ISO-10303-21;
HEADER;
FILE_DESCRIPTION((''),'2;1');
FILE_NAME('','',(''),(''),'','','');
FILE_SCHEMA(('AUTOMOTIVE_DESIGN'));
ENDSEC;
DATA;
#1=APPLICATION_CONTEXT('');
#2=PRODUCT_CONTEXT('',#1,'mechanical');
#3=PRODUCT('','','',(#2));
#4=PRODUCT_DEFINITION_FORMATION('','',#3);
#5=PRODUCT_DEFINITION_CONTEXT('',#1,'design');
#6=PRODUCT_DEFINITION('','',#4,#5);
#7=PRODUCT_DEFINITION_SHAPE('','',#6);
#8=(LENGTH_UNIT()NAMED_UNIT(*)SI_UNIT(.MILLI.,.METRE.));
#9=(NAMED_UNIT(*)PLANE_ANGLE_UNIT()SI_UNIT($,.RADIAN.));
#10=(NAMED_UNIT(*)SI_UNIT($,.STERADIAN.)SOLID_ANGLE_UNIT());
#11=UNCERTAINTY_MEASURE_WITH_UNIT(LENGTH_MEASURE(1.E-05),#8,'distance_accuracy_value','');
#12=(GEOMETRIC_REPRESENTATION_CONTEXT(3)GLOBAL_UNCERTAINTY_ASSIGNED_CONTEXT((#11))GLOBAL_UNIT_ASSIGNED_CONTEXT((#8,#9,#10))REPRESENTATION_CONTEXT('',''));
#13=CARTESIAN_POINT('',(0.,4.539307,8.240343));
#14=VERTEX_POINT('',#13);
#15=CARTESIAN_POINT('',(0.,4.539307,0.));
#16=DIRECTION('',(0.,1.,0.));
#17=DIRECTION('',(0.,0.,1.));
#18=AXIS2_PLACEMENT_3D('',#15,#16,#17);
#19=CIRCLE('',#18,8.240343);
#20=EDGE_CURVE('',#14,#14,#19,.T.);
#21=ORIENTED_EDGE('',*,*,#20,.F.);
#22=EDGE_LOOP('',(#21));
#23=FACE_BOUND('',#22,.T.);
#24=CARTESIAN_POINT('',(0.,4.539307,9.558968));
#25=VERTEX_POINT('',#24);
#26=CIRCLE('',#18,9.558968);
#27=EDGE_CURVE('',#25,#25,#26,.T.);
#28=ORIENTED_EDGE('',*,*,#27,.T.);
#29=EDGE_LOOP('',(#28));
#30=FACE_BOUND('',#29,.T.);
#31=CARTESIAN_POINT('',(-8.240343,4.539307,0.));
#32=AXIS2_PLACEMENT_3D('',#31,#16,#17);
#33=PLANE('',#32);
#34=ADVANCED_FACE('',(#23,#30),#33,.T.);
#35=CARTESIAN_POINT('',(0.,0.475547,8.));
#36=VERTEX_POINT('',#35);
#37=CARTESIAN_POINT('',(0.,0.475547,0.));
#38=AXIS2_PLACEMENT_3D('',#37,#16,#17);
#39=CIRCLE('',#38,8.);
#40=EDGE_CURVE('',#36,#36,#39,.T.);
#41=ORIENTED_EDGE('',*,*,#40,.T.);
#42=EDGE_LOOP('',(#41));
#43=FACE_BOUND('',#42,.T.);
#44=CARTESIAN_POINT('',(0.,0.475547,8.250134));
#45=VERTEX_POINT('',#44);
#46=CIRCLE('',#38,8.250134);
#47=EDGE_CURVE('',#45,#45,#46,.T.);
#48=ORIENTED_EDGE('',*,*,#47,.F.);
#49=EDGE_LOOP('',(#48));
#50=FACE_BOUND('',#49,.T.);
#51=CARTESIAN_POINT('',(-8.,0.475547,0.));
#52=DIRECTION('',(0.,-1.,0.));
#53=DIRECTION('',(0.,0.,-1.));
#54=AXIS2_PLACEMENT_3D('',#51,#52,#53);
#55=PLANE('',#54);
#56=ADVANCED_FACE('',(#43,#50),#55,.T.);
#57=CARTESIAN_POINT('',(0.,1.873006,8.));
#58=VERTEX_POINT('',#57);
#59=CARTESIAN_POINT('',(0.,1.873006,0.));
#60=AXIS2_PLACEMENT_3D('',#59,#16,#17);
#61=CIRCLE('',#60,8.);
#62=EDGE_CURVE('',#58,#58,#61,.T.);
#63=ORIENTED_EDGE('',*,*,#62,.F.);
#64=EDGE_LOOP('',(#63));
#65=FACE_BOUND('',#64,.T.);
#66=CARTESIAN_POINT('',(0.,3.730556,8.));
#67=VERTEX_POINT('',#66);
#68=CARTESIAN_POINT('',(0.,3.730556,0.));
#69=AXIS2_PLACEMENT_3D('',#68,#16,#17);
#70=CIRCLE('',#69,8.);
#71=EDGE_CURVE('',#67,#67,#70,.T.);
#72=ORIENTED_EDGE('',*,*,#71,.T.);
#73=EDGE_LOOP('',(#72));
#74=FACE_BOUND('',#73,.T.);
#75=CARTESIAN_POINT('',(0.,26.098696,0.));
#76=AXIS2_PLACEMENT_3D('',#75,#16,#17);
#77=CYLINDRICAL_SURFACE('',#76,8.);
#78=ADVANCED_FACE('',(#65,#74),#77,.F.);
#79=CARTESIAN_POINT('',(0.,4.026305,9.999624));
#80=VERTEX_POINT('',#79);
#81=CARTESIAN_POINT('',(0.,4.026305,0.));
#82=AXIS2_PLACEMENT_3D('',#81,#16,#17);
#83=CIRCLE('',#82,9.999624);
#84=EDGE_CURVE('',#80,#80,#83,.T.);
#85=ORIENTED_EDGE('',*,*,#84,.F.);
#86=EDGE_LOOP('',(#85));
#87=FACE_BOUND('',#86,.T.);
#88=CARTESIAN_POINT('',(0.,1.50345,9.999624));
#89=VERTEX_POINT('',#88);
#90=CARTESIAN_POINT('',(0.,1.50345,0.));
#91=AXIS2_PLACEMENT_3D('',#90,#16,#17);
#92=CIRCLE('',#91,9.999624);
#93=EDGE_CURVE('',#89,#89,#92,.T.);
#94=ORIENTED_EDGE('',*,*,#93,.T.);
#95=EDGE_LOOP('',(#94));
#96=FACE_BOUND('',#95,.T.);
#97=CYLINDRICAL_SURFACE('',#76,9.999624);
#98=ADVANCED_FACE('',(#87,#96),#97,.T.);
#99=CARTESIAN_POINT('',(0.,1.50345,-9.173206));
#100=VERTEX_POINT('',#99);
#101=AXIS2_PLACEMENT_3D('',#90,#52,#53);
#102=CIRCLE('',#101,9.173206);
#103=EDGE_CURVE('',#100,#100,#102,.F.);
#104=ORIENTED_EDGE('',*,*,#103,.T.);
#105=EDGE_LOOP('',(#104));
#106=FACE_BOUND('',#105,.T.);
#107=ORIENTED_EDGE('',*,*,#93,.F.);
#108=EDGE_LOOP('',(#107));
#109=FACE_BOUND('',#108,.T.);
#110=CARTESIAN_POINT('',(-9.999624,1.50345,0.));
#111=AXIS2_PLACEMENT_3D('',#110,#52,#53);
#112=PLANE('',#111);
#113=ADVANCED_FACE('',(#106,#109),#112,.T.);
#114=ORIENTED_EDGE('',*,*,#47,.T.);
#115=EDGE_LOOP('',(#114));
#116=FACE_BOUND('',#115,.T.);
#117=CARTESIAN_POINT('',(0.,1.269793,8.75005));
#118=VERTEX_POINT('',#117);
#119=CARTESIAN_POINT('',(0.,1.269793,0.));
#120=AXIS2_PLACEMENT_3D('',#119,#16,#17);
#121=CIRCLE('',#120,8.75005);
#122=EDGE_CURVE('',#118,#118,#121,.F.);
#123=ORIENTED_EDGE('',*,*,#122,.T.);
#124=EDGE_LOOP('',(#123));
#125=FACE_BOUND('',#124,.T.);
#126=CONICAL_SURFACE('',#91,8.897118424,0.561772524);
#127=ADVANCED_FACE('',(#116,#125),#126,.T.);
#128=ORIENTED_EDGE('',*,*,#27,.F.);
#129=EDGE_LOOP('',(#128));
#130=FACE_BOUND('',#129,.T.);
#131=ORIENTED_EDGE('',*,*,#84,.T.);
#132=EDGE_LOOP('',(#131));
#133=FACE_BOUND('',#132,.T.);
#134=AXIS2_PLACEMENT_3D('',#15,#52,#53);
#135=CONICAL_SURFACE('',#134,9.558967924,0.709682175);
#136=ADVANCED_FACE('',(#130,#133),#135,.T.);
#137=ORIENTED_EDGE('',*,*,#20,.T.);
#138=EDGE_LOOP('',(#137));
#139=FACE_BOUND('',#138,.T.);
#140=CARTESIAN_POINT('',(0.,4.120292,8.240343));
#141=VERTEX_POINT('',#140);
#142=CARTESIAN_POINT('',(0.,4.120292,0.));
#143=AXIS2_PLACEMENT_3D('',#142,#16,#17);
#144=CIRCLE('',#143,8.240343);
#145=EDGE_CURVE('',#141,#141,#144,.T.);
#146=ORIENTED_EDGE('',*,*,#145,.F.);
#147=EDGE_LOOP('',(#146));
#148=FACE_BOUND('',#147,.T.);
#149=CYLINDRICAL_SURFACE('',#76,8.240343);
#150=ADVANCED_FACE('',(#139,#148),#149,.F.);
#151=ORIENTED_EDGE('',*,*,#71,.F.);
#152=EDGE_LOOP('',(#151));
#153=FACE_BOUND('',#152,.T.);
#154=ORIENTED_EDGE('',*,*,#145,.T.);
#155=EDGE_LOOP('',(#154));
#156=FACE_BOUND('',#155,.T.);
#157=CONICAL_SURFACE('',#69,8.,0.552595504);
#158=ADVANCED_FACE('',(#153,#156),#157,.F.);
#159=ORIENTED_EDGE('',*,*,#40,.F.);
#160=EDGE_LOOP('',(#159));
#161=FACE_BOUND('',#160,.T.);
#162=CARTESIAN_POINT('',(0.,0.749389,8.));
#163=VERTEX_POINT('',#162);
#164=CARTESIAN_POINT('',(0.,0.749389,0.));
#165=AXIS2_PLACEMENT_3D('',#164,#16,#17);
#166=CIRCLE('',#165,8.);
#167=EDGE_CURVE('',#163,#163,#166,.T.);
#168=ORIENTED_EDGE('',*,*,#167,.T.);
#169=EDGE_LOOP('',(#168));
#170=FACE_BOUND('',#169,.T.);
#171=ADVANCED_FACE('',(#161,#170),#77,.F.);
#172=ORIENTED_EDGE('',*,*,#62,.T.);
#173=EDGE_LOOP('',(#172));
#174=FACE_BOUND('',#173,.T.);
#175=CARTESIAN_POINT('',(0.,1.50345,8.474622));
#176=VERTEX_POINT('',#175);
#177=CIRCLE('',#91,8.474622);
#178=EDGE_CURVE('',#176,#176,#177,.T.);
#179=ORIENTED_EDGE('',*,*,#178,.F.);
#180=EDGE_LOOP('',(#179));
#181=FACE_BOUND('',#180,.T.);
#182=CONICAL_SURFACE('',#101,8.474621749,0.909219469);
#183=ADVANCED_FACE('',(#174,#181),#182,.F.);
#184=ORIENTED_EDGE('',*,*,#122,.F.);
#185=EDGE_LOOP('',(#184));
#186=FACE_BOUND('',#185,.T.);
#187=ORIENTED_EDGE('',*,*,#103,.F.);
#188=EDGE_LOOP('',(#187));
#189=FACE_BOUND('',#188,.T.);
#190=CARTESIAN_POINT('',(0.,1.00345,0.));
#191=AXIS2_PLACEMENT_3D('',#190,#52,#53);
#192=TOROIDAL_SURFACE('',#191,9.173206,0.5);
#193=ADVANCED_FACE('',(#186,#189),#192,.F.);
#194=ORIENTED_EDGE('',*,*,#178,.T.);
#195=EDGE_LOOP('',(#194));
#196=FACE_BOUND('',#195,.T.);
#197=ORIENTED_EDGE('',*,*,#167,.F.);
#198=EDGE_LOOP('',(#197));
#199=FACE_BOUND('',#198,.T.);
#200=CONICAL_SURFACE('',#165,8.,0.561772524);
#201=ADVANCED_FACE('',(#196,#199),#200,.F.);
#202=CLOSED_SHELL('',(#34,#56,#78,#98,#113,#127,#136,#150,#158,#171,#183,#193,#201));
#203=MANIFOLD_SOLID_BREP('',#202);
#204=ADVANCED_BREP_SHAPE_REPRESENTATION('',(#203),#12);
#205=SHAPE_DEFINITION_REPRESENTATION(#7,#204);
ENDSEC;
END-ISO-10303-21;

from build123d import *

# Parameters (mm, degrees)
REDONDEO1_R = 0.5


with BuildPart() as part:
    # Croquis1 → Revolución1 (revolve)
    with BuildSketch(Plane.XY, mode=Mode.PRIVATE) as revoluci_n1_sk:
        Polygon((-8, 1.873006462), (-8, 3.730556499), (-8.240342635, 4.120291582), (-8.240342635, 4.539307424), (-9.558967924, 4.539307424), (-9.999624488, 4.02630535), (-9.999624488, 1.503449512), (-8.897118424, 1.503449512), (-8.250134341, 0.475546819), (-8, 0.475546819), (-8, 0.749389269), (-8.474621749, 1.503449512), align=None)
    revolve(revoluci_n1_sk.sketch.rotate(Axis((0, 26.098695966, 0), (0, -1, 0)), 270), axis=Axis((0, 26.098695966, 0), (0, -1, 0)))

    # Redondeo1
    redondeo1_edges = [part.edges().sort_by_distance(p)[0] for p in [
        (0, 1.503449512, -8.897118424),
    ]]
    fillet(redondeo1_edges, radius=REDONDEO1_R)


solid = part.part
